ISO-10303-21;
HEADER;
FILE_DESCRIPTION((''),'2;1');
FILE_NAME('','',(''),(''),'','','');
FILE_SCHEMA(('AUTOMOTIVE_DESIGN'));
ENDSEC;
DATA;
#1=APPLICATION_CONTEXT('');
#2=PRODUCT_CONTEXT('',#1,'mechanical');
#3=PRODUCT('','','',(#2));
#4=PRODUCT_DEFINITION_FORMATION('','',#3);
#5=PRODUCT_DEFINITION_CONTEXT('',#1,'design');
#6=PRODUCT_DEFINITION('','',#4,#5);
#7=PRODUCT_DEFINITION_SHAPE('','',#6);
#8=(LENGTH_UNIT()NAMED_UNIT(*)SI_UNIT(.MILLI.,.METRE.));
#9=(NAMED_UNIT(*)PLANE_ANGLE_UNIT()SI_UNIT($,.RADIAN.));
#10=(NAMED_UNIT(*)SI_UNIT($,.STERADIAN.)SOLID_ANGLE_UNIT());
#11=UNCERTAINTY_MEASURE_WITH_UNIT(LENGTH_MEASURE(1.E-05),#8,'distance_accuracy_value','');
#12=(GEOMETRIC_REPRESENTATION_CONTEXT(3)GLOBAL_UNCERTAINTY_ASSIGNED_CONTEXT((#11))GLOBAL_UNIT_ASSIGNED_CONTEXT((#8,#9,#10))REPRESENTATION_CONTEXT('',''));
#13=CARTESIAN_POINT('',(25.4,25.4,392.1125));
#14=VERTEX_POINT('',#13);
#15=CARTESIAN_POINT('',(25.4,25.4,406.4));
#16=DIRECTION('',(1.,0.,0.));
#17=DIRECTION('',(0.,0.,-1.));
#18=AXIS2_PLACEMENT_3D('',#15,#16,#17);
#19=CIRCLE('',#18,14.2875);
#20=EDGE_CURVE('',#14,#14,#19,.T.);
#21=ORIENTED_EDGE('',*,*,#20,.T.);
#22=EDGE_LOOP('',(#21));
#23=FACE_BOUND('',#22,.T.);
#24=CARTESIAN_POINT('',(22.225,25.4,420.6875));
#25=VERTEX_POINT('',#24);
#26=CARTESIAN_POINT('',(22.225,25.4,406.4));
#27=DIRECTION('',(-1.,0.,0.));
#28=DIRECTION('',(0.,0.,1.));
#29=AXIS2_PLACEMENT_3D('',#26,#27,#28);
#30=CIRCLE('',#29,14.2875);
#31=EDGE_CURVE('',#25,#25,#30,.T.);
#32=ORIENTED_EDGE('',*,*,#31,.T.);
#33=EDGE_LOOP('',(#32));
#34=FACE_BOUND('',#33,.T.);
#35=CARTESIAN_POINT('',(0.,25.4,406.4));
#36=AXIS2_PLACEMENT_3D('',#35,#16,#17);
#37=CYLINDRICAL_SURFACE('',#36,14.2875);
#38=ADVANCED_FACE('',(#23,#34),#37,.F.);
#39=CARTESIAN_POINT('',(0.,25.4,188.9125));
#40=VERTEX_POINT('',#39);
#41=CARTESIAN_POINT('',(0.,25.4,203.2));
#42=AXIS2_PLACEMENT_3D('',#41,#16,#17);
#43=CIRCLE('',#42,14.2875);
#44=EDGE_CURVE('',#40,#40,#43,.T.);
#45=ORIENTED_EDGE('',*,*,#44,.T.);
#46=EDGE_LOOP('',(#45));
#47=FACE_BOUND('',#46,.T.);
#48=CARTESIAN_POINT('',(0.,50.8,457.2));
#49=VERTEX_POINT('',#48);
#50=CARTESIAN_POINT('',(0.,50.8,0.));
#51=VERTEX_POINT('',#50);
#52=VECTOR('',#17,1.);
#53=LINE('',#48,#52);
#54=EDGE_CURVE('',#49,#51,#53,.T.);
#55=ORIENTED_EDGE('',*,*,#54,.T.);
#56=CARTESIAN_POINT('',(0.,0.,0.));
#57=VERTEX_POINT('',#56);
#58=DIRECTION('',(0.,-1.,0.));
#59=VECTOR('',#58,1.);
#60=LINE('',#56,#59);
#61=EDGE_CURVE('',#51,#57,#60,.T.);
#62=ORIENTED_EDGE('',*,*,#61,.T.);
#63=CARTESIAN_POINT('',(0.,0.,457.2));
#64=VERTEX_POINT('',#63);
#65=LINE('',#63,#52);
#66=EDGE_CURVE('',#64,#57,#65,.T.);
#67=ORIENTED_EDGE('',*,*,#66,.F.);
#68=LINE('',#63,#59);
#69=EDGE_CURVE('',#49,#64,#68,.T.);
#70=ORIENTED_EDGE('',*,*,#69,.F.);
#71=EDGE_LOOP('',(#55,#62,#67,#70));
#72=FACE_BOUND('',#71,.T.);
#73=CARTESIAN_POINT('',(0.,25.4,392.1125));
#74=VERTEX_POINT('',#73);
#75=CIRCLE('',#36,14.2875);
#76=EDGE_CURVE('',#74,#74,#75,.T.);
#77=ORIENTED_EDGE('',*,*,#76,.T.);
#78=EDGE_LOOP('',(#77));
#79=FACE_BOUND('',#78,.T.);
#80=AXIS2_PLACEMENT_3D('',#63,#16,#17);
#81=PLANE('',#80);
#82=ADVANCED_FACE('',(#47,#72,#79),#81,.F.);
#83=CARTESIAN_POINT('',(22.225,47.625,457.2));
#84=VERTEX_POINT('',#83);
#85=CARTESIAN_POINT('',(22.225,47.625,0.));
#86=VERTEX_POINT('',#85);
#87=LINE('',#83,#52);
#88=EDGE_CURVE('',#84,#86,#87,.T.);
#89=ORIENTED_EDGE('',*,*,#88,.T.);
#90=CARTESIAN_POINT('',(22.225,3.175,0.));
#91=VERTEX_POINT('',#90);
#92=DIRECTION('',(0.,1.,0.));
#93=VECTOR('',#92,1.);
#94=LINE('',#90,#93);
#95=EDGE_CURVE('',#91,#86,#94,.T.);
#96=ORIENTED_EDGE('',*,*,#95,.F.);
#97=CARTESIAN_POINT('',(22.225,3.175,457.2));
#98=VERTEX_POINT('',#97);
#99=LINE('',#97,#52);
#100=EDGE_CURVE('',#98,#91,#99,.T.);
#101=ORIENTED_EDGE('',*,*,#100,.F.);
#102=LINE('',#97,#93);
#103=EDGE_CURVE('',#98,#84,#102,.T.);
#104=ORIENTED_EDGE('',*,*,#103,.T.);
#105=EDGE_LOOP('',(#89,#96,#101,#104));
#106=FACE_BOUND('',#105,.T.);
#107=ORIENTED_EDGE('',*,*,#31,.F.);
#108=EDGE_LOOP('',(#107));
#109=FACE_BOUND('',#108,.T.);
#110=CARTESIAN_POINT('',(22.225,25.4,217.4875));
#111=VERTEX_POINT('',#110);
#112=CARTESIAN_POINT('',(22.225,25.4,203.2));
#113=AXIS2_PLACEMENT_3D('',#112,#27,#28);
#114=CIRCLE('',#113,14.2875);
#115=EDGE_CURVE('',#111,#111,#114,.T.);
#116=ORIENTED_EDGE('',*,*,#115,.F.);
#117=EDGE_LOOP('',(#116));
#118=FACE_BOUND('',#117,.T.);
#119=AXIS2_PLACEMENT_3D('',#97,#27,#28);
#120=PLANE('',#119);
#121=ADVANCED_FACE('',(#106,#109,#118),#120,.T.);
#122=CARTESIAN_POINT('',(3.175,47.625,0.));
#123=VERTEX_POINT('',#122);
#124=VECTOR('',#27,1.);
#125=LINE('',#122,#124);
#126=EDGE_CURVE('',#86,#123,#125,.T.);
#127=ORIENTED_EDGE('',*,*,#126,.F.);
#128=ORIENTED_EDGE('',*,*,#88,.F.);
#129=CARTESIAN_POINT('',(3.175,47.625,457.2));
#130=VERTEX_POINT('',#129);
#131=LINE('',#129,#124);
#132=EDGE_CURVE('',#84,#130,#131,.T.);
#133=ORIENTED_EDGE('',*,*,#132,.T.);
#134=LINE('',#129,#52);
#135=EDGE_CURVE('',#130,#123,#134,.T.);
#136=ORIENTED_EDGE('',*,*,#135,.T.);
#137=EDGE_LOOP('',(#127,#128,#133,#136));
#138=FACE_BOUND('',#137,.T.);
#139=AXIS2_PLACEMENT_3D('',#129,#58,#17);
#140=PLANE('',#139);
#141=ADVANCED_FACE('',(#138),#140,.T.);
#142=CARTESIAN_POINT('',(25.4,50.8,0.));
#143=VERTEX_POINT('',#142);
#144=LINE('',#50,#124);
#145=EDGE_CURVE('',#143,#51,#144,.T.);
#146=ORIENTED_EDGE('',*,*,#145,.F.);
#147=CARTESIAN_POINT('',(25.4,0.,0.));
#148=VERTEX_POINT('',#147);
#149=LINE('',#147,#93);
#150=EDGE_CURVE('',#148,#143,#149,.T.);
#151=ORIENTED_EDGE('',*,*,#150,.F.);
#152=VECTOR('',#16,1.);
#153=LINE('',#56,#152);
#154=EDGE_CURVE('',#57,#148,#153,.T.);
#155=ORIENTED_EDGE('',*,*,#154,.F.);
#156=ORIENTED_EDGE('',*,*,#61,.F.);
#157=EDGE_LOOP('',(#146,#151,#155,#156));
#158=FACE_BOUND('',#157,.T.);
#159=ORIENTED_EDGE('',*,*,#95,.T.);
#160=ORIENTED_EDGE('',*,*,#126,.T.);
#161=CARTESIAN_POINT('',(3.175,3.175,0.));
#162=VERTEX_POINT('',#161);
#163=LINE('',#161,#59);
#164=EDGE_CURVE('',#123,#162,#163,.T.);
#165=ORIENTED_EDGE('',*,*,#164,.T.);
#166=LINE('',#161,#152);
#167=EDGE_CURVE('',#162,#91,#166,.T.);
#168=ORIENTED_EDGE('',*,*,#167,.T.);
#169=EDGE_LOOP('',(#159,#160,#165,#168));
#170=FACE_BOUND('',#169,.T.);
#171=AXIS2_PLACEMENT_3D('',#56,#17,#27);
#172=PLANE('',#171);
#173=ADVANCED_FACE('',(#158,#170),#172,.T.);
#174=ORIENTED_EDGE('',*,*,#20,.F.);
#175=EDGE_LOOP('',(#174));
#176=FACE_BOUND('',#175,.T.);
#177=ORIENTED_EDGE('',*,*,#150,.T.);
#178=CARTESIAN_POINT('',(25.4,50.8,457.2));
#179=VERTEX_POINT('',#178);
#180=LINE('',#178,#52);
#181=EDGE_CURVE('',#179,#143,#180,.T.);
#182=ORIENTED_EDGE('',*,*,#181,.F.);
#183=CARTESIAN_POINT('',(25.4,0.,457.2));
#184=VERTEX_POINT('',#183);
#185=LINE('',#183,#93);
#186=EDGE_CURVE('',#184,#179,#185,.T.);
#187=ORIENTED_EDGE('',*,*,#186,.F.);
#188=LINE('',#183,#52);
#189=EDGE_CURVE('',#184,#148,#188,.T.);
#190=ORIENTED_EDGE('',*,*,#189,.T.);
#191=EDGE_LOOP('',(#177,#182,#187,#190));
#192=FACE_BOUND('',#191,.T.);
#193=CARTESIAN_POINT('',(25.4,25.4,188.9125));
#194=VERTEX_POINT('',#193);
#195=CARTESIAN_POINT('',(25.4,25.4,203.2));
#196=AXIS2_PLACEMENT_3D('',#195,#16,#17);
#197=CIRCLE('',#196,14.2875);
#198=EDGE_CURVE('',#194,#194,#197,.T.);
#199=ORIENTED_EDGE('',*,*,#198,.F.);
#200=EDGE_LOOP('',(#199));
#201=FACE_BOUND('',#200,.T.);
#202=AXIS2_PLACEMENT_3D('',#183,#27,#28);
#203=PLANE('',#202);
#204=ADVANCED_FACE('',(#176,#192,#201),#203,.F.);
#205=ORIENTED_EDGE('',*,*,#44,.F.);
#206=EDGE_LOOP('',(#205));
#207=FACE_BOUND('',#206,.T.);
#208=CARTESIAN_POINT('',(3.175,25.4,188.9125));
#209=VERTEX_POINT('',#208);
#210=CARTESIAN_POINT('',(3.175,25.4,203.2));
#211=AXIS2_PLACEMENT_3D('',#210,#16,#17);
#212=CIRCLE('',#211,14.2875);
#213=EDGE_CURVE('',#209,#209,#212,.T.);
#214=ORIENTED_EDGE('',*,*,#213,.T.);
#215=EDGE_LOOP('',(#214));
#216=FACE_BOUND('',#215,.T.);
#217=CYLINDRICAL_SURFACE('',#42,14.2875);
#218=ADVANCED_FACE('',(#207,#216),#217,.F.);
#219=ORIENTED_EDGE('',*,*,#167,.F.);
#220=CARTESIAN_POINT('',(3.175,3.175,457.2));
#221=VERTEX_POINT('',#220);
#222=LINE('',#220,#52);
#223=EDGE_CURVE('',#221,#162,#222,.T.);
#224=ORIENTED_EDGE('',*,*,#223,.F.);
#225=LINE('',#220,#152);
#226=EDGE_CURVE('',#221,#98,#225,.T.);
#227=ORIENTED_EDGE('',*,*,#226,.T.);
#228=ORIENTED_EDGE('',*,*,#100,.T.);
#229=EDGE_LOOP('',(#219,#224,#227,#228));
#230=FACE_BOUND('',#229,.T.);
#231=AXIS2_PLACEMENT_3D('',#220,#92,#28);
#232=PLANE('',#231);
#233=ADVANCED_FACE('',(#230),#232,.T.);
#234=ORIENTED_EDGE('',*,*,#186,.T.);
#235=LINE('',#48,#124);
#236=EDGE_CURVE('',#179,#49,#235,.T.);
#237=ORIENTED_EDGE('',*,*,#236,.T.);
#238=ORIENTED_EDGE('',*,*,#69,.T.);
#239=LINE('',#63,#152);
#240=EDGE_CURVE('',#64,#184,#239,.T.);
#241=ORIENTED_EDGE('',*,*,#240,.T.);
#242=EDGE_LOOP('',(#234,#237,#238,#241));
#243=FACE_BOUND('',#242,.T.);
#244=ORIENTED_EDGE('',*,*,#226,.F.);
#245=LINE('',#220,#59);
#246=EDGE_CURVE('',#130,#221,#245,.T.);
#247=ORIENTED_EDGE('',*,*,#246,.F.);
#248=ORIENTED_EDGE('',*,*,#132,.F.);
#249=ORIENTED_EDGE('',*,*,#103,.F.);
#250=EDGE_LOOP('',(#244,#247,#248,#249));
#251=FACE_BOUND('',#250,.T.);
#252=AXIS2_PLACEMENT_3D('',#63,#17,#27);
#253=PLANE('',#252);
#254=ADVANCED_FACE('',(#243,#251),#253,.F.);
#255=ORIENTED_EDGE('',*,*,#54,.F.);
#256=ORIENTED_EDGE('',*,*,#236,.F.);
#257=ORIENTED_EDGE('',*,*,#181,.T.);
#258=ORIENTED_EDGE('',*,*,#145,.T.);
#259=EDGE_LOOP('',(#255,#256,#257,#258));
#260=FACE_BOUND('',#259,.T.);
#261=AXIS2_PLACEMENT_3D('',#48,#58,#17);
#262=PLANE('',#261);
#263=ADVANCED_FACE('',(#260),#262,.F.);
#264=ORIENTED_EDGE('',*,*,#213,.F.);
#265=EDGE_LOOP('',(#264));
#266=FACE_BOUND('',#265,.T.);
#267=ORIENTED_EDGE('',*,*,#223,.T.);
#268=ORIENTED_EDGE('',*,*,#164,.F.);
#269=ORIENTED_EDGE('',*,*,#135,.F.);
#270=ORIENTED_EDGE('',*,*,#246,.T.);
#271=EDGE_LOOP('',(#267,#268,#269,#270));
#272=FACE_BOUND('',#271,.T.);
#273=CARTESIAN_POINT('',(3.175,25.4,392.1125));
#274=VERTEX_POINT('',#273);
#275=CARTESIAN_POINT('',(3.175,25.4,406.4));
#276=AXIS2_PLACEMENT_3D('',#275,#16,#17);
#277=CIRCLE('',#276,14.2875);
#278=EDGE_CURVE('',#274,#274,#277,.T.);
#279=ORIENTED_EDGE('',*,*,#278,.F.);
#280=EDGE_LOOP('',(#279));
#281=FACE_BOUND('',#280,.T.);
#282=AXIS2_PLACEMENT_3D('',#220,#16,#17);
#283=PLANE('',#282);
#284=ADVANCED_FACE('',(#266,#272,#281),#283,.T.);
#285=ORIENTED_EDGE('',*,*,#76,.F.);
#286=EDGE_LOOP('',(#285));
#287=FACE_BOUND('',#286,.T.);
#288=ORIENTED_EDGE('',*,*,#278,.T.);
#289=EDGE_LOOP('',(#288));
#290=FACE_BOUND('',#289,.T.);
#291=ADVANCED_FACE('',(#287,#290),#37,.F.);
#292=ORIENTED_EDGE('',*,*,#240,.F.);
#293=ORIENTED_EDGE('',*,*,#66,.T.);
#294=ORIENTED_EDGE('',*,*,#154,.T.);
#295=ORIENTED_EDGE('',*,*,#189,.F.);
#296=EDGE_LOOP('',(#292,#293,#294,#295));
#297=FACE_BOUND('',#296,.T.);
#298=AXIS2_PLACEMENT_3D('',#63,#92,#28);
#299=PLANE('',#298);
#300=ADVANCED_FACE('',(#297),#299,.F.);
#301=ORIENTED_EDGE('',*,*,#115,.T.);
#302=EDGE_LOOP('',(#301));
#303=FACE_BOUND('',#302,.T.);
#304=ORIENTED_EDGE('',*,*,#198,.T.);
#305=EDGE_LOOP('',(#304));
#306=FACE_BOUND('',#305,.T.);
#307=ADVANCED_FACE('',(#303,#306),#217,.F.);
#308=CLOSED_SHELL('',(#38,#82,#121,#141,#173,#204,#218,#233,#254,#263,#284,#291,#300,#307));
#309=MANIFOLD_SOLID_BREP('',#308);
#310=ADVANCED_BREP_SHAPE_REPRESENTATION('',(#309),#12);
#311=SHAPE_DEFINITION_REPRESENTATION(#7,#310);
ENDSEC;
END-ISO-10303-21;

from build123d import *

# Parameters (mm, degrees)
SKETCH1_W           = 25.4
SKETCH1_H           = 50.8
SKETCH1_W_2         = 19.05
SKETCH1_H_2         = 44.45
BOSS_EXTRUDE1_DEPTH = 457.2
SKETCH2_R           = 14.2875
CUT_EXTRUDE1_DEPTH  = 26.4


with BuildPart() as part:
    # Sketch1 → Boss-Extrude1 (new body)
    with BuildSketch(Plane.XY):
        with Locations((12.7, 25.4)):
            Rectangle(SKETCH1_W, SKETCH1_H)
        with Locations((12.7, 25.4)):
            Rectangle(SKETCH1_W_2, SKETCH1_H_2, mode=Mode.SUBTRACT)
    extrude(amount=BOSS_EXTRUDE1_DEPTH)

    # Sketch2 → Cut-Extrude1 (cut, through all)
    with BuildSketch(Plane(origin=(25.4, 0, 0), x_dir=(0, 0, -1), z_dir=(1, 0, 0))):
        with Locations((-406.4, 25.4)):
            Circle(SKETCH2_R)
        with Locations((-203.2, 25.4)):
            Circle(SKETCH2_R)
    extrude(amount=-CUT_EXTRUDE1_DEPTH, mode=Mode.SUBTRACT)


solid = part.part
